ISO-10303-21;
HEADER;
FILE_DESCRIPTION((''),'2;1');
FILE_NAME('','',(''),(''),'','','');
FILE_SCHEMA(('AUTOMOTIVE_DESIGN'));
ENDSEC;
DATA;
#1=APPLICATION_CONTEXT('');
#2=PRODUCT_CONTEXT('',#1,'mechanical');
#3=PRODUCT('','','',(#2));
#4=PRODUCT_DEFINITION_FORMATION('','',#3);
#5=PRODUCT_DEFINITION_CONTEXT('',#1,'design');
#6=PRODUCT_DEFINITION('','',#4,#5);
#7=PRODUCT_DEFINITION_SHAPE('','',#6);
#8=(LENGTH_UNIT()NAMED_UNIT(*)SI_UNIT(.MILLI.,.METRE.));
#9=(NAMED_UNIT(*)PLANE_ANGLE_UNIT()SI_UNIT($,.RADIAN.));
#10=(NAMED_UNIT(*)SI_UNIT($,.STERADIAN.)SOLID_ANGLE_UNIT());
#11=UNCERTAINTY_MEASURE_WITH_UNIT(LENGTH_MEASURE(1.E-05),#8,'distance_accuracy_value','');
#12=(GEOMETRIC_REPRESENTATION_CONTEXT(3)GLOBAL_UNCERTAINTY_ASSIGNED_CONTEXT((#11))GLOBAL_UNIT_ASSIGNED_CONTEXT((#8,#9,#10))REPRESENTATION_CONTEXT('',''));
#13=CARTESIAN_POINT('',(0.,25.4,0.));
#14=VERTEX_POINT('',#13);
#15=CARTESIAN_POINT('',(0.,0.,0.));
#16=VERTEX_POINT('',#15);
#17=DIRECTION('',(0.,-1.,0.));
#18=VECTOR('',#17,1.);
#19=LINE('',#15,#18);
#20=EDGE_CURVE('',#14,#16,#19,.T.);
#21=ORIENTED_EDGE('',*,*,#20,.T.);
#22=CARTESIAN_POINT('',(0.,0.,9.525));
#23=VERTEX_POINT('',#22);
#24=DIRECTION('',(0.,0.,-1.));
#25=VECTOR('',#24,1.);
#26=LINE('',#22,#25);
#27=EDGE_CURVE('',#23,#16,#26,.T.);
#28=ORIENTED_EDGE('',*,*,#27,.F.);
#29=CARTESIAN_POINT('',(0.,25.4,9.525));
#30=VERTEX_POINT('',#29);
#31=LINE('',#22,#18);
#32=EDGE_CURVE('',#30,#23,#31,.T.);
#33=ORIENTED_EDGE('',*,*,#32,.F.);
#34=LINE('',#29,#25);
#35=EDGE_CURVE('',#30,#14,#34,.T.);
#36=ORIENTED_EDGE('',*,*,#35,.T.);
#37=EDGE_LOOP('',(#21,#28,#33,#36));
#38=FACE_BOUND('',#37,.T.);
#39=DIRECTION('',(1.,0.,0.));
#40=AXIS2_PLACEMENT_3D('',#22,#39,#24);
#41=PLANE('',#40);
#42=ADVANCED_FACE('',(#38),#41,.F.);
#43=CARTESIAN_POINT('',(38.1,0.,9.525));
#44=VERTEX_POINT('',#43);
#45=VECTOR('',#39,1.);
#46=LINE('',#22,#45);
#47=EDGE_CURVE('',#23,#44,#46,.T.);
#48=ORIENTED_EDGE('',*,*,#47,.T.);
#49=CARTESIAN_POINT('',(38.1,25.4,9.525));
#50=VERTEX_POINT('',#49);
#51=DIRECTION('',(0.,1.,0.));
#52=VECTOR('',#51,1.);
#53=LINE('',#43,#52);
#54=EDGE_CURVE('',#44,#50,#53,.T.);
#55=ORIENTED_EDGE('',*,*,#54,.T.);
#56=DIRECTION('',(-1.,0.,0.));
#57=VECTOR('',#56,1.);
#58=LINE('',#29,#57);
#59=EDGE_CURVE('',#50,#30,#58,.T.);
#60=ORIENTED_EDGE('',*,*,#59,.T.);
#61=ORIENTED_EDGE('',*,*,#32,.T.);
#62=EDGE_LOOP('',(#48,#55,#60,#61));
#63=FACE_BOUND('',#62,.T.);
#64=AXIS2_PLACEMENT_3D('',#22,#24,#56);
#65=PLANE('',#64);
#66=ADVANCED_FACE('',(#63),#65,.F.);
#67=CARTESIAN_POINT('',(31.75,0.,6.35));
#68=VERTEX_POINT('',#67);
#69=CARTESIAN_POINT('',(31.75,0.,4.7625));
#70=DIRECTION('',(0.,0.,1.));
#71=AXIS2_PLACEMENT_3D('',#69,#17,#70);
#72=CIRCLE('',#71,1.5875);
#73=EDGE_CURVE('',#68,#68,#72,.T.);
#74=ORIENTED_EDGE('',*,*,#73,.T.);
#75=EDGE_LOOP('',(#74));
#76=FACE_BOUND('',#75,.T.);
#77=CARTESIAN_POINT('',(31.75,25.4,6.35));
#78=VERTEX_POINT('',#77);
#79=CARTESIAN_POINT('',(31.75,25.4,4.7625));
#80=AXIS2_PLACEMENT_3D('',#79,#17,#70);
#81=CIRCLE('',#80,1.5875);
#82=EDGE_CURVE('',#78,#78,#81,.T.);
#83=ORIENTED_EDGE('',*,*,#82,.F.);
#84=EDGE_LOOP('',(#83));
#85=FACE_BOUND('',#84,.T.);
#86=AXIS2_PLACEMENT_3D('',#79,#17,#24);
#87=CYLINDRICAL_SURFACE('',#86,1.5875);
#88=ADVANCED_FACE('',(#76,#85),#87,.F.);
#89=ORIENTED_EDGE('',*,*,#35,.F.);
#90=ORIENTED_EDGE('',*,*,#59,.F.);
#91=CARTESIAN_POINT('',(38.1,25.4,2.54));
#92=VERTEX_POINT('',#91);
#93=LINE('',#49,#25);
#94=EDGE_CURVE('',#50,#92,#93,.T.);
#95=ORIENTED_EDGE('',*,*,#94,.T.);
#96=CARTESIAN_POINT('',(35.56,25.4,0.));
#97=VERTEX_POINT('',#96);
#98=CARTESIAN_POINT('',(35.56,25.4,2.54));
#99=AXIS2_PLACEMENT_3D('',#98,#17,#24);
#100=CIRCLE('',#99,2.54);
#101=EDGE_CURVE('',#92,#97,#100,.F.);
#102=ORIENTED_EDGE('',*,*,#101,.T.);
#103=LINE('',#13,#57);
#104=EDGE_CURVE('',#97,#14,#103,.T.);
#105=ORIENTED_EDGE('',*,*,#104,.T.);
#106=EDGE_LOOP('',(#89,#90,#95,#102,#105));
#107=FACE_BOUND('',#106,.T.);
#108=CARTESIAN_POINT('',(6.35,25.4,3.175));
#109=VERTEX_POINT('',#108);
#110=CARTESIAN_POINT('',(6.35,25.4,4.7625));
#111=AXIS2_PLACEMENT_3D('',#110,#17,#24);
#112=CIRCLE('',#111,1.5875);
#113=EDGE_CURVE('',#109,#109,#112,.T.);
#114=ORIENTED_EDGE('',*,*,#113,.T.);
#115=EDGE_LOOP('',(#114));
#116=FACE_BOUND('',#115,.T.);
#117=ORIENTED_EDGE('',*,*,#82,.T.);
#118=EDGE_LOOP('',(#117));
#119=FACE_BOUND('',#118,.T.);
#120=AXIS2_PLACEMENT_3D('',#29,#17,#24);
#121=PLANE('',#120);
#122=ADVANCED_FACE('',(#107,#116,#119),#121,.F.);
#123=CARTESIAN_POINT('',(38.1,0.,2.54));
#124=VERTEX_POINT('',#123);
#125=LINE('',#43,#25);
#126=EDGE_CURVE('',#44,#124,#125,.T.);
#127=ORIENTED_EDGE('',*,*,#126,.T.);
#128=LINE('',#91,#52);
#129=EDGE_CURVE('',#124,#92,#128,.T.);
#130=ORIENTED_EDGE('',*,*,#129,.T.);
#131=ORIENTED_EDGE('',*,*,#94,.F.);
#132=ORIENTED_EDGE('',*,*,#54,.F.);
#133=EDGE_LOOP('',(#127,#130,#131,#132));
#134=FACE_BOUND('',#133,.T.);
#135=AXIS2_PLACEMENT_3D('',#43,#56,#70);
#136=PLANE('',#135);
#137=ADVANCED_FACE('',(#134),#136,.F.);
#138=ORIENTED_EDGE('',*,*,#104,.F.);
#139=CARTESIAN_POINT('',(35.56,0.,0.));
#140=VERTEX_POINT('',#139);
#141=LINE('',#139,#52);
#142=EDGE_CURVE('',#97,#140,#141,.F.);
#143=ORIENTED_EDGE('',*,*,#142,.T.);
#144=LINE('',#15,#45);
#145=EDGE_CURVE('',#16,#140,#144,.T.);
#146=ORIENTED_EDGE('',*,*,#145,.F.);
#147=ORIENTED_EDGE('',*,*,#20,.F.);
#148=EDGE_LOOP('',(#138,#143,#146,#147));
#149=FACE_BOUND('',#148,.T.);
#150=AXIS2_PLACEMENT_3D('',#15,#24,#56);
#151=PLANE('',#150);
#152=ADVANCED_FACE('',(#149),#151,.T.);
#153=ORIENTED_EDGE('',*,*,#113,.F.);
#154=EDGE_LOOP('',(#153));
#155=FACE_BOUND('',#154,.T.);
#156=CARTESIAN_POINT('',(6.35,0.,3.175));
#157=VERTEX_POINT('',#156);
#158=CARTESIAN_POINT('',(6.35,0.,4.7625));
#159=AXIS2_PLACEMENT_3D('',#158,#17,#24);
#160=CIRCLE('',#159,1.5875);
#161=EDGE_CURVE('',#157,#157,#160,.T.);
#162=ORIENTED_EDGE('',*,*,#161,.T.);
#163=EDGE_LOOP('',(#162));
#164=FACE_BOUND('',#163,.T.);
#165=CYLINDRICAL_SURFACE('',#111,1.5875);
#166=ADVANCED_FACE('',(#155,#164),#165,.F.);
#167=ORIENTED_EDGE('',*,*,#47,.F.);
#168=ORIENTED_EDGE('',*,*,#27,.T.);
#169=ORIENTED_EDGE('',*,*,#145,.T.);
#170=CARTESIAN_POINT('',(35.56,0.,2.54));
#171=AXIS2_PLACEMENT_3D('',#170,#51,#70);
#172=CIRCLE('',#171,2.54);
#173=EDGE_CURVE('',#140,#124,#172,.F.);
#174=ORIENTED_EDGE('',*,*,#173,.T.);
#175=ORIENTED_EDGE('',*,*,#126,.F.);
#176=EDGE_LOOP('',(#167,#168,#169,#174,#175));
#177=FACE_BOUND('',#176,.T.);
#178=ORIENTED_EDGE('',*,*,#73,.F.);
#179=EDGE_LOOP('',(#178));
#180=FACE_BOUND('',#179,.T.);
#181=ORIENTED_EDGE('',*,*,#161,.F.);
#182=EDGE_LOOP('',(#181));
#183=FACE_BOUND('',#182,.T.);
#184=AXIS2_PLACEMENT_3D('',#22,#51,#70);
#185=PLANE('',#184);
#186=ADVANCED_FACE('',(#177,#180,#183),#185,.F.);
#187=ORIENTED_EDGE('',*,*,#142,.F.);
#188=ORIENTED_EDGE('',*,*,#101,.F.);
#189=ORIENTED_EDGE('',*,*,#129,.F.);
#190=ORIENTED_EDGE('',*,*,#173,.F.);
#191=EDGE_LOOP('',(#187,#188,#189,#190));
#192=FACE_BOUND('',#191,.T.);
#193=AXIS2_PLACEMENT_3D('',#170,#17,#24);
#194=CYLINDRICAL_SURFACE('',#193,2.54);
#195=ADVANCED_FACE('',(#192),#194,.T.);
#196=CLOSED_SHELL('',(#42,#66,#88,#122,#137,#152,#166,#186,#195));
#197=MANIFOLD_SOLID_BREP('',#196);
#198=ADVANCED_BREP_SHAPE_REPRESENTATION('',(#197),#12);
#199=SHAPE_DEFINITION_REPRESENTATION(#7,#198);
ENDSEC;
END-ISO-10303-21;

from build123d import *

# Parameters (mm, degrees)
SKETCH1_W           = 38.1
SKETCH1_H           = 25.4
BOSS_EXTRUDE1_DEPTH = 9.525
SKETCH2_R           = 1.5875
CUT_EXTRUDE1_DEPTH  = 47.770670564
FILLET1_R           = 2.54


with BuildPart() as part:
    # Sketch1 → Boss-Extrude1 (new body)
    with BuildSketch(Plane.XY):
        with Locations((19.05, 12.7)):
            Rectangle(SKETCH1_W, SKETCH1_H)
    extrude(amount=BOSS_EXTRUDE1_DEPTH)

    # Sketch2 → Cut-Extrude1 (cut, through all)
    with BuildSketch(Plane.XZ):
        with Locations(Location((6.35, 4.7625, 0), (0, 0, 270))):
            Circle(SKETCH2_R)
        with Locations(Location((31.75, 4.7625, 0), (0, 0, 90))):
            Circle(SKETCH2_R)
    extrude(amount=-CUT_EXTRUDE1_DEPTH, mode=Mode.SUBTRACT)

    # Fillet1
    fillet1_edges = [part.edges().sort_by_distance(p)[0] for p in [
        (38.1, 12.7, 0),
    ]]
    fillet(fillet1_edges, radius=FILLET1_R)


solid = part.part
